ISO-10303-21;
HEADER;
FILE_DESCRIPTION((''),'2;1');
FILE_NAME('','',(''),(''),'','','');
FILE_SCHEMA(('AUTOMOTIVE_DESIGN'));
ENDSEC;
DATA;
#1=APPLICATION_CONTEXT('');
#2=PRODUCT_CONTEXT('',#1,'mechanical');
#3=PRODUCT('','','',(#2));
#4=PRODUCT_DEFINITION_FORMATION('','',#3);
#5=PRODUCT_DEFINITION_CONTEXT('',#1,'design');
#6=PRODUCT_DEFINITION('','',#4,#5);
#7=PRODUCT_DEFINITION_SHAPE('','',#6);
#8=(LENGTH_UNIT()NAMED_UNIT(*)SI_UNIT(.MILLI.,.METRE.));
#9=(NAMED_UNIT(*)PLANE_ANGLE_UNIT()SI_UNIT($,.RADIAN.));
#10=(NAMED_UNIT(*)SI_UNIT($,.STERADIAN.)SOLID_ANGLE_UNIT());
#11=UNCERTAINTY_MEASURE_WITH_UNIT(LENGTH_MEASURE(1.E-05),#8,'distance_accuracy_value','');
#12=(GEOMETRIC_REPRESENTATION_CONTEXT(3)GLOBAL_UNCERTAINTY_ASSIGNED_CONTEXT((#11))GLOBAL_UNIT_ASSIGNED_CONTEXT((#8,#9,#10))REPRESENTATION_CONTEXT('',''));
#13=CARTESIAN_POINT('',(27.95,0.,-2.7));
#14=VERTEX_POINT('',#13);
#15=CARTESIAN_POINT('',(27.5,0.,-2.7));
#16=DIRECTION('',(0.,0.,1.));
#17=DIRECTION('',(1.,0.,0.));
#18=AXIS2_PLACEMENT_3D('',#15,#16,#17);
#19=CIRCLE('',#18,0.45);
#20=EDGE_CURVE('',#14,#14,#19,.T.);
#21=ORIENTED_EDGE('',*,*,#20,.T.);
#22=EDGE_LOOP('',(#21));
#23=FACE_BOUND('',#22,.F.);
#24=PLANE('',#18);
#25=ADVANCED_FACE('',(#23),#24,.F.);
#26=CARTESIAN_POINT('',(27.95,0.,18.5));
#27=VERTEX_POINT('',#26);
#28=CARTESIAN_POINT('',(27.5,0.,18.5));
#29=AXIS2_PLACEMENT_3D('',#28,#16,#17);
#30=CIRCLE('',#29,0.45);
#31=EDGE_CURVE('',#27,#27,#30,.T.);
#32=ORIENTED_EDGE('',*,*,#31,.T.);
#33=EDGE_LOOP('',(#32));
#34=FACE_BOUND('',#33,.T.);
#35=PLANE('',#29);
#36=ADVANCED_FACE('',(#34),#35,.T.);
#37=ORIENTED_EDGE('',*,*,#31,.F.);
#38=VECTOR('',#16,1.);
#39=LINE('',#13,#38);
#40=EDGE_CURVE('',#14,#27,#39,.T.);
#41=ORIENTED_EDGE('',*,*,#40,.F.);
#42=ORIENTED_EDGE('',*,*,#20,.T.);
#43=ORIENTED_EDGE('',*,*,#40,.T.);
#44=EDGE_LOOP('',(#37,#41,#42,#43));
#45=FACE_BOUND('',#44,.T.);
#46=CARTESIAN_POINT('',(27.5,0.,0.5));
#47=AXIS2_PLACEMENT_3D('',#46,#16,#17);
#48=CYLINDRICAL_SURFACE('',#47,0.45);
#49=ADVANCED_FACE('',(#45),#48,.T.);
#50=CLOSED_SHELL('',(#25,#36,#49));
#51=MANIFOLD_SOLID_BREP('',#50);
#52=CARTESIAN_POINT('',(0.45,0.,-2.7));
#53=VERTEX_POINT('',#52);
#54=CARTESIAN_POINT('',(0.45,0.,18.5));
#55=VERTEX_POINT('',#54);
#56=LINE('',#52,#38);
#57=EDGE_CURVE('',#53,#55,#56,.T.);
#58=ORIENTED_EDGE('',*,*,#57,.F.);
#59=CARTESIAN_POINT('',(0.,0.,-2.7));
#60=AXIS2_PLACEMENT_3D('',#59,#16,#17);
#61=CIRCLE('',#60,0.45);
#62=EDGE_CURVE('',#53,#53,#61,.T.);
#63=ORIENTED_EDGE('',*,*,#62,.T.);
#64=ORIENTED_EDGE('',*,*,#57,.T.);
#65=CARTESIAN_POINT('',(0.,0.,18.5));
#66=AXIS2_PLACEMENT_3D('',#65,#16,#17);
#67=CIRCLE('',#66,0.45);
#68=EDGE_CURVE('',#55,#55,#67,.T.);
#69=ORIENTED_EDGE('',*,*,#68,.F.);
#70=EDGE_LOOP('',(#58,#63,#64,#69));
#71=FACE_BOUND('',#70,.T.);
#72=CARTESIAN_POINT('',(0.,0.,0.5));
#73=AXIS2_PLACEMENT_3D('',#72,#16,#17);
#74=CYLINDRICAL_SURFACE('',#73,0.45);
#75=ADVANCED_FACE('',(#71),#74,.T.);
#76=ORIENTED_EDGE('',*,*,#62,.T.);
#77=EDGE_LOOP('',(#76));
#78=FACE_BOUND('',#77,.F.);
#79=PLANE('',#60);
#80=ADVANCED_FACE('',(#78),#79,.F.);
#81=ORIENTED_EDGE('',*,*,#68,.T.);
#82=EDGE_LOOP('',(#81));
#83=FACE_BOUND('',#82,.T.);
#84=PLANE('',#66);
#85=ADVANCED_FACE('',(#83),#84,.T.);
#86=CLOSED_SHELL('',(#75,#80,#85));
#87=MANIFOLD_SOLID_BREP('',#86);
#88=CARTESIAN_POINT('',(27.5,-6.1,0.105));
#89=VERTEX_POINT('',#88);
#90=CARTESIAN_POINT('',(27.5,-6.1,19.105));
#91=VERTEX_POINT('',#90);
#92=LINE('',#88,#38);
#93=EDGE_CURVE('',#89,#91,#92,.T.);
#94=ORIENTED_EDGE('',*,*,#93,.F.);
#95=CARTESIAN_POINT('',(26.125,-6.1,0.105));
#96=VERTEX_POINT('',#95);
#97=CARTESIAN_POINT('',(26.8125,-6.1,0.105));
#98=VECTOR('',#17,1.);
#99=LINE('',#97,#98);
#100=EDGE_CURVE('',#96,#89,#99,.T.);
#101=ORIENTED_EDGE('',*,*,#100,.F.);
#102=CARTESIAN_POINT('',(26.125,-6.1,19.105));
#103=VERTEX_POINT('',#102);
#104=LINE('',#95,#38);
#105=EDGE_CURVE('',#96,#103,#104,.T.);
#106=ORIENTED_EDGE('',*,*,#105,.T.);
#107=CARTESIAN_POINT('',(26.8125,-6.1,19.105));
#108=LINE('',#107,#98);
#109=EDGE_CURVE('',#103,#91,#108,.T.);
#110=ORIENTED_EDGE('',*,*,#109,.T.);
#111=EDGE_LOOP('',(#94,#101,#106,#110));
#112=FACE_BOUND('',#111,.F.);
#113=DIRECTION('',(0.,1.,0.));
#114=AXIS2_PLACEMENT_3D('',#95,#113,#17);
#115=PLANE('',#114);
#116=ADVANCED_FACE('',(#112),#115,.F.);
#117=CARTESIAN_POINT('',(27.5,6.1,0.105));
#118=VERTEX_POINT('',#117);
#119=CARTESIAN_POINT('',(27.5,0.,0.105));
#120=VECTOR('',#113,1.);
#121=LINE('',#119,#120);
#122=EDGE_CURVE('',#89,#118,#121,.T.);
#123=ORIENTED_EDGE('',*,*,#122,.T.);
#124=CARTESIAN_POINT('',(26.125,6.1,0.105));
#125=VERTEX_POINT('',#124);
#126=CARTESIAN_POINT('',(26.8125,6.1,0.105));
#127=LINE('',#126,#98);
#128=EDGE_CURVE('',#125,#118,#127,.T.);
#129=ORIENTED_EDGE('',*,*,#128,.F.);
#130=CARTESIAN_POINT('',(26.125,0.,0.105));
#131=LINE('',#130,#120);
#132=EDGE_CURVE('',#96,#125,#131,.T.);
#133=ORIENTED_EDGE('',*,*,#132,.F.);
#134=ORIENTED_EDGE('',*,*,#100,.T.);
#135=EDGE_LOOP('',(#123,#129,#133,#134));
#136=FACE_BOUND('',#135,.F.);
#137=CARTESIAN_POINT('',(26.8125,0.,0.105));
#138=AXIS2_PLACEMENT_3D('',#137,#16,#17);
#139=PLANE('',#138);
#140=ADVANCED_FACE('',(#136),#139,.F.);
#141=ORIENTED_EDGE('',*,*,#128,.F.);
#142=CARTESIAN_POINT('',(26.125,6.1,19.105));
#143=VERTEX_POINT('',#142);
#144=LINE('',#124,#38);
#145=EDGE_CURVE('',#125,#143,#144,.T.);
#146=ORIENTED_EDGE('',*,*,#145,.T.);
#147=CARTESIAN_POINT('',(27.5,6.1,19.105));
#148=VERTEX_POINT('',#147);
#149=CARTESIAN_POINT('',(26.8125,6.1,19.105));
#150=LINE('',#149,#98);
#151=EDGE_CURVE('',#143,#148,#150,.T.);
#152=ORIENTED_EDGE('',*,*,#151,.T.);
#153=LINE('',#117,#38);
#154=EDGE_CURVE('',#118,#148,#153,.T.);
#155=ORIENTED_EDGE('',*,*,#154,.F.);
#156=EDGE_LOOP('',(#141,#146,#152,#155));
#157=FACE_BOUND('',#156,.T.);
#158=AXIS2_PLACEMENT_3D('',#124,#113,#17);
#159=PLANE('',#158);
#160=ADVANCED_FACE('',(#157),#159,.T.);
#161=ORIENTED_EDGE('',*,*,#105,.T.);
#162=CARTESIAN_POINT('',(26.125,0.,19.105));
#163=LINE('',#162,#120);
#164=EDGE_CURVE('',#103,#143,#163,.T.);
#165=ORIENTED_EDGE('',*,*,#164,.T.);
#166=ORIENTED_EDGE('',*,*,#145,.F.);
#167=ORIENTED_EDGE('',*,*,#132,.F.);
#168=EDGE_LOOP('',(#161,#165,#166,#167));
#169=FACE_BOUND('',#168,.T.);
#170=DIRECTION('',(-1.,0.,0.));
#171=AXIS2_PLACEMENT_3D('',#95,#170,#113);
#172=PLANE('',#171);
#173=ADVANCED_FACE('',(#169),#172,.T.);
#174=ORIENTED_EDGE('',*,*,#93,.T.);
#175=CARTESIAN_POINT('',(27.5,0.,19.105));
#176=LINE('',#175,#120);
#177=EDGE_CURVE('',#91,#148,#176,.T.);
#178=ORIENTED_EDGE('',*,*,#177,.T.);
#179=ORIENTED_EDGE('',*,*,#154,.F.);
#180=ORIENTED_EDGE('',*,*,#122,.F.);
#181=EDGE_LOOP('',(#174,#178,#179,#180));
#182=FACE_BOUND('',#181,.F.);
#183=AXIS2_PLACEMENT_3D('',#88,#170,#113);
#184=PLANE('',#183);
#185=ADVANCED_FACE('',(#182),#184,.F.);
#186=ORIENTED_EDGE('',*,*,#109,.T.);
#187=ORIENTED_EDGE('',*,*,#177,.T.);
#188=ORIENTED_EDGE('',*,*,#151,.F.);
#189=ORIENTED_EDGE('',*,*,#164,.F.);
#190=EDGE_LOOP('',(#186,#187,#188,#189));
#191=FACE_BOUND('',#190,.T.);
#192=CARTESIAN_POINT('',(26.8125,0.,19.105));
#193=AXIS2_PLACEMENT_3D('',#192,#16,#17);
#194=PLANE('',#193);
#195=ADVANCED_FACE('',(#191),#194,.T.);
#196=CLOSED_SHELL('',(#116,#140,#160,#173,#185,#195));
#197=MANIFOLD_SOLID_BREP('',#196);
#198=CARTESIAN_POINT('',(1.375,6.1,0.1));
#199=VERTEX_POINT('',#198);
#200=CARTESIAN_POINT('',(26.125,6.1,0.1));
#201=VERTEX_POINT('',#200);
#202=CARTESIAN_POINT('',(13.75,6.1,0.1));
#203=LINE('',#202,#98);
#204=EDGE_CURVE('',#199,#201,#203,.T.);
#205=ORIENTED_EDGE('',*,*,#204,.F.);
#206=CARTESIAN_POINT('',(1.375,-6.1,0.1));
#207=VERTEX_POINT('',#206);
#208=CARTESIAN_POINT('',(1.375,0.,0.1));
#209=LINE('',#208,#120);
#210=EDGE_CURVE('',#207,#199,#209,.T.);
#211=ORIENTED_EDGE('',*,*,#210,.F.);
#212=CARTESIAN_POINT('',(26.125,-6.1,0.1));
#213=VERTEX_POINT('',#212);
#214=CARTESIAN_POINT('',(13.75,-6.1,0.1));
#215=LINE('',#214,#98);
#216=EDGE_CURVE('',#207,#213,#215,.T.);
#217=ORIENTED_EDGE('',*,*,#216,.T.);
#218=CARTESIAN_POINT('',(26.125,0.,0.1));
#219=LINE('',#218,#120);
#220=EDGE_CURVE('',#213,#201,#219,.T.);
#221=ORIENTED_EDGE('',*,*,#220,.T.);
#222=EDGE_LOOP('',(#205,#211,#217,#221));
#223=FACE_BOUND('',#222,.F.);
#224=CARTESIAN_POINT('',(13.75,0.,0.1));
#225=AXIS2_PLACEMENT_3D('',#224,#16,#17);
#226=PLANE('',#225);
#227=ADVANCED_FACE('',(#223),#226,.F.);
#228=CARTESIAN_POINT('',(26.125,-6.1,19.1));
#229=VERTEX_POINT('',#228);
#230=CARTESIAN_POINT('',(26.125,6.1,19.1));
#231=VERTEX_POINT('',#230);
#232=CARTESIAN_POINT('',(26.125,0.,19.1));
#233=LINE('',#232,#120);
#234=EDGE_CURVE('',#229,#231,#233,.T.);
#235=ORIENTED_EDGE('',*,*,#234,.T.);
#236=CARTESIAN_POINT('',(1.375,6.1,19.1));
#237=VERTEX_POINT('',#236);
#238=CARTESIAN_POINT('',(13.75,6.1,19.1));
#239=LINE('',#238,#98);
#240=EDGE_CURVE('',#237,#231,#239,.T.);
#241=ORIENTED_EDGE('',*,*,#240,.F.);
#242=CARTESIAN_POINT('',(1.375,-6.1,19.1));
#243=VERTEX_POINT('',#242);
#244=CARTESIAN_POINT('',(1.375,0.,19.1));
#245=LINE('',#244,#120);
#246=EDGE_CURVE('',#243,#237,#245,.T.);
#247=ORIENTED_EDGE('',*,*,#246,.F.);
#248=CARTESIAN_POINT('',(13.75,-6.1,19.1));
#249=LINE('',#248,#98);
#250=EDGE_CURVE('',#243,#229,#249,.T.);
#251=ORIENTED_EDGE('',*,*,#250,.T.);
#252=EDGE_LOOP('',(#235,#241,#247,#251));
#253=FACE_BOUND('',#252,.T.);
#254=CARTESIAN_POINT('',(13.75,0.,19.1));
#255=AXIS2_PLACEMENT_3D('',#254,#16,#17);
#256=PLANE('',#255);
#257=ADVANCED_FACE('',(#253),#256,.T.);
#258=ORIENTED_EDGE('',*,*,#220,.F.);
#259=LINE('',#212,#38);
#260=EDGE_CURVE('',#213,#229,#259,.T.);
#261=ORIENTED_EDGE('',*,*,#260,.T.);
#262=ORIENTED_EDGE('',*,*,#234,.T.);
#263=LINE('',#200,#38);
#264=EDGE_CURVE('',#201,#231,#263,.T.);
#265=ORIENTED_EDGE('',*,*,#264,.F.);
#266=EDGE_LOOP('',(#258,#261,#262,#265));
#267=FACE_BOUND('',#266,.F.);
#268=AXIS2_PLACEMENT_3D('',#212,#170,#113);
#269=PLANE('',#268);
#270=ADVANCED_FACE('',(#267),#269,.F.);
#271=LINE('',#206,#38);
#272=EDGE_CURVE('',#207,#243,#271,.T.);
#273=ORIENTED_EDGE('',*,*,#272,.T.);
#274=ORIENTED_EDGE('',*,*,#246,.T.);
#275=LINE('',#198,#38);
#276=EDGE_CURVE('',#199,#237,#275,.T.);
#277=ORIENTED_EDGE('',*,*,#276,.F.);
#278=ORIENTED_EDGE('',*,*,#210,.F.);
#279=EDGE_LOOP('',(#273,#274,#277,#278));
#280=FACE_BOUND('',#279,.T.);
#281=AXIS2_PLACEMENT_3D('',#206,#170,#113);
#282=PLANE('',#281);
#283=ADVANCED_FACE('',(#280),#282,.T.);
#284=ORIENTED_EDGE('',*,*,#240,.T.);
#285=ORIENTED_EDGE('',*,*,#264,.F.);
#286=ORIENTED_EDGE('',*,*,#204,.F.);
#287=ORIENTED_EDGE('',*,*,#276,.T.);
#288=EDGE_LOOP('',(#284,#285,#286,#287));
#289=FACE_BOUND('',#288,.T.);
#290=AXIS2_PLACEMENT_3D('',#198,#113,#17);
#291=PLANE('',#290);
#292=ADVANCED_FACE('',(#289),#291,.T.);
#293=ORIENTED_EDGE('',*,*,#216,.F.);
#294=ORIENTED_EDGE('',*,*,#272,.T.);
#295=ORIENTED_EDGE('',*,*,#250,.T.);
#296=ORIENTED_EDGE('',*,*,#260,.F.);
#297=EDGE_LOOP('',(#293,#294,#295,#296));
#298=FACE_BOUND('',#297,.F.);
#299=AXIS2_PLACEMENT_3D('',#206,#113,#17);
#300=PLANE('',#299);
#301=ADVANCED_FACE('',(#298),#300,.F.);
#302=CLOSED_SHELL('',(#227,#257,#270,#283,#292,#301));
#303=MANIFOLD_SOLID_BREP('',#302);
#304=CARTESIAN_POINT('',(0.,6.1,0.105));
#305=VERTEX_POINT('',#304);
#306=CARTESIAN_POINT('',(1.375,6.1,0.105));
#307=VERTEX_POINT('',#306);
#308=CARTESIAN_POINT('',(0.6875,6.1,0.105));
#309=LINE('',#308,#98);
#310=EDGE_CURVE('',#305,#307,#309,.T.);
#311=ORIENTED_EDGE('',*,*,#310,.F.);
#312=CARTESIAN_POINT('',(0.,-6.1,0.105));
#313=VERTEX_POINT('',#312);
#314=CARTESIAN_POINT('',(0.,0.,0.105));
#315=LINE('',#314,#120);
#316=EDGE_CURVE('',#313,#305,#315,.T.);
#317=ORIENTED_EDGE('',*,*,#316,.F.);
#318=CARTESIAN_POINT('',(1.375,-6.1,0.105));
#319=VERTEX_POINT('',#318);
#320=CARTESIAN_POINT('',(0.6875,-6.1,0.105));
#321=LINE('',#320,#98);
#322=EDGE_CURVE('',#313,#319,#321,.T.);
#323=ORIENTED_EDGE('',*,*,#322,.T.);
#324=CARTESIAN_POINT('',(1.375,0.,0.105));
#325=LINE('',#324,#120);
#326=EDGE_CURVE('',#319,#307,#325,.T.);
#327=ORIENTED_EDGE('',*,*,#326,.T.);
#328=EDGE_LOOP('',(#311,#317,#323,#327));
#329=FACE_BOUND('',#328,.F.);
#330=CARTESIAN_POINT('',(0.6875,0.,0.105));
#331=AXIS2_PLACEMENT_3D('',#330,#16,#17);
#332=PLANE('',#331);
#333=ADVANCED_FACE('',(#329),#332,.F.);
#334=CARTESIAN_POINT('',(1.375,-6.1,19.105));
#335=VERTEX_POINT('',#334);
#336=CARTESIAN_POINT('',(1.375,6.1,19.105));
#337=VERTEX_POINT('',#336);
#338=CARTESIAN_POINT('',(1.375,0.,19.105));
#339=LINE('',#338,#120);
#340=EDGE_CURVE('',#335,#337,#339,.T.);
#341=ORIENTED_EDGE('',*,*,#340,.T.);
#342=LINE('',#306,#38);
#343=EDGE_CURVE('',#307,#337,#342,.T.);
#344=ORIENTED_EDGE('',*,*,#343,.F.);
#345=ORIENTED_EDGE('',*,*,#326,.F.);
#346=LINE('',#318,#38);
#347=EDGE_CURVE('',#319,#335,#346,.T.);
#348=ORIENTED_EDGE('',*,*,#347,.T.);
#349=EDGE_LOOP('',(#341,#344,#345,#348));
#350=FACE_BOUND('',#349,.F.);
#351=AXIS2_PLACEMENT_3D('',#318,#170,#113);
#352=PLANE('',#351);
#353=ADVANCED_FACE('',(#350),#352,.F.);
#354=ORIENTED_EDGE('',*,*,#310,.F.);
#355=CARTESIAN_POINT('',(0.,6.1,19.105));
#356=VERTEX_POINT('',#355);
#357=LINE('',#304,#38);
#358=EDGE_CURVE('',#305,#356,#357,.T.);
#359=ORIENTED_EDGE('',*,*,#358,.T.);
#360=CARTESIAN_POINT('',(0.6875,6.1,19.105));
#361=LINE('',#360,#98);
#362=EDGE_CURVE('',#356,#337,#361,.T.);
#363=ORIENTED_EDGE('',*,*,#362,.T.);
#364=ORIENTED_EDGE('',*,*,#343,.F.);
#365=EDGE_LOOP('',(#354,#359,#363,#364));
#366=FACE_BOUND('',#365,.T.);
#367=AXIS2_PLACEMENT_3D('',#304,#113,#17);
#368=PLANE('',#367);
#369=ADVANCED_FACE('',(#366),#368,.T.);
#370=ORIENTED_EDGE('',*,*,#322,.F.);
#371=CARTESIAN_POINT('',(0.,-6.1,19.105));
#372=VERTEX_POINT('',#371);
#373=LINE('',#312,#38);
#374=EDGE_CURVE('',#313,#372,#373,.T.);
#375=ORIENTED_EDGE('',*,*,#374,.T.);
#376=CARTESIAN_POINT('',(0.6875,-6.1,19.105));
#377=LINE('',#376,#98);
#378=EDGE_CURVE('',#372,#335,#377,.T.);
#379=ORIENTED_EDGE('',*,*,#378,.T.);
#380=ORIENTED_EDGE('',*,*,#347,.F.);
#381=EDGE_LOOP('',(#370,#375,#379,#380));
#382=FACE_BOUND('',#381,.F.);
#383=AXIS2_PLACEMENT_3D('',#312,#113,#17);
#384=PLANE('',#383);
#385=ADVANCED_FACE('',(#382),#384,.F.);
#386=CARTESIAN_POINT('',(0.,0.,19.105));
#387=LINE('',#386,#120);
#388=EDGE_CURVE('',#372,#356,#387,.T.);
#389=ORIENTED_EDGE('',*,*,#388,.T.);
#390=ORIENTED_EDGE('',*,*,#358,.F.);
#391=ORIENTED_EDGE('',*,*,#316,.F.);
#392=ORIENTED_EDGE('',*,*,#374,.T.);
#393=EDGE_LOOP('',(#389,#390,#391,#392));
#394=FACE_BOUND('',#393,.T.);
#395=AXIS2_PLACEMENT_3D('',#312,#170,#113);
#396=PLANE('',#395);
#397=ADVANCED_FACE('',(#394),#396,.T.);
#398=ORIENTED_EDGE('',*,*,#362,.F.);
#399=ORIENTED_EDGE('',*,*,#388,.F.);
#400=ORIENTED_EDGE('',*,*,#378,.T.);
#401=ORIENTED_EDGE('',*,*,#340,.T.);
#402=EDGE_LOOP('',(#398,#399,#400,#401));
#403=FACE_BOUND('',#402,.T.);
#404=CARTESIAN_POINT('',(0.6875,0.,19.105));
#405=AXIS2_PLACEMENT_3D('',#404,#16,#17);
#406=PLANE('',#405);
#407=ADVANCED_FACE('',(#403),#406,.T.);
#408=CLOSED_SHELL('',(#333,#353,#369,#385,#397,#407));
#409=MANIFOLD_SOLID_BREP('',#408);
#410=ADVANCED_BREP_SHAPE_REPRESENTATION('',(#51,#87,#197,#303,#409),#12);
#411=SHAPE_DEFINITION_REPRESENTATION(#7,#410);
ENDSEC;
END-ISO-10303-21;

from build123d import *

# Parameters (mm, degrees)
SKETCH_W          = 24.75
SKETCH_H          = 12.2
PAD_DEPTH         = 19
SKETCH001_R       = 0.45
PAD001_DEPTH      = 18
PAD001_DEPTH_BACK = 3.2
SKETCH002_W       = 1.375
SKETCH002_H       = 12.2
PAD002_DEPTH      = 19


with BuildPart() as pad:
    # Sketch → Pad (new body)
    with BuildSketch(Plane.XY.offset(0.1)):
        with Locations((13.75, 0)):
            Rectangle(SKETCH_W, SKETCH_H)
    extrude(amount=PAD_DEPTH)


with BuildPart() as pad001:
    # Sketch001 → Pad001 (new body, two sides)
    with BuildSketch(Plane.XY.offset(0.5)) as pad001_sk:
        Circle(SKETCH001_R)
        with Locations((27.5, 0)):
            Circle(SKETCH001_R)
    extrude(amount=PAD001_DEPTH)
    extrude(pad001_sk.sketch, amount=-PAD001_DEPTH_BACK)


with BuildPart() as pad002:
    # Sketch002 → Pad002 (new body)
    with BuildSketch(Plane.XY.offset(0.105)):
        with Locations((0.6875, 0)):
            Rectangle(SKETCH002_W, SKETCH002_H)
        with Locations((26.8125, 0)):
            Rectangle(SKETCH002_W, SKETCH002_H)
    extrude(amount=PAD002_DEPTH)


solid = Compound([pad.part, pad001.part, pad002.part])
